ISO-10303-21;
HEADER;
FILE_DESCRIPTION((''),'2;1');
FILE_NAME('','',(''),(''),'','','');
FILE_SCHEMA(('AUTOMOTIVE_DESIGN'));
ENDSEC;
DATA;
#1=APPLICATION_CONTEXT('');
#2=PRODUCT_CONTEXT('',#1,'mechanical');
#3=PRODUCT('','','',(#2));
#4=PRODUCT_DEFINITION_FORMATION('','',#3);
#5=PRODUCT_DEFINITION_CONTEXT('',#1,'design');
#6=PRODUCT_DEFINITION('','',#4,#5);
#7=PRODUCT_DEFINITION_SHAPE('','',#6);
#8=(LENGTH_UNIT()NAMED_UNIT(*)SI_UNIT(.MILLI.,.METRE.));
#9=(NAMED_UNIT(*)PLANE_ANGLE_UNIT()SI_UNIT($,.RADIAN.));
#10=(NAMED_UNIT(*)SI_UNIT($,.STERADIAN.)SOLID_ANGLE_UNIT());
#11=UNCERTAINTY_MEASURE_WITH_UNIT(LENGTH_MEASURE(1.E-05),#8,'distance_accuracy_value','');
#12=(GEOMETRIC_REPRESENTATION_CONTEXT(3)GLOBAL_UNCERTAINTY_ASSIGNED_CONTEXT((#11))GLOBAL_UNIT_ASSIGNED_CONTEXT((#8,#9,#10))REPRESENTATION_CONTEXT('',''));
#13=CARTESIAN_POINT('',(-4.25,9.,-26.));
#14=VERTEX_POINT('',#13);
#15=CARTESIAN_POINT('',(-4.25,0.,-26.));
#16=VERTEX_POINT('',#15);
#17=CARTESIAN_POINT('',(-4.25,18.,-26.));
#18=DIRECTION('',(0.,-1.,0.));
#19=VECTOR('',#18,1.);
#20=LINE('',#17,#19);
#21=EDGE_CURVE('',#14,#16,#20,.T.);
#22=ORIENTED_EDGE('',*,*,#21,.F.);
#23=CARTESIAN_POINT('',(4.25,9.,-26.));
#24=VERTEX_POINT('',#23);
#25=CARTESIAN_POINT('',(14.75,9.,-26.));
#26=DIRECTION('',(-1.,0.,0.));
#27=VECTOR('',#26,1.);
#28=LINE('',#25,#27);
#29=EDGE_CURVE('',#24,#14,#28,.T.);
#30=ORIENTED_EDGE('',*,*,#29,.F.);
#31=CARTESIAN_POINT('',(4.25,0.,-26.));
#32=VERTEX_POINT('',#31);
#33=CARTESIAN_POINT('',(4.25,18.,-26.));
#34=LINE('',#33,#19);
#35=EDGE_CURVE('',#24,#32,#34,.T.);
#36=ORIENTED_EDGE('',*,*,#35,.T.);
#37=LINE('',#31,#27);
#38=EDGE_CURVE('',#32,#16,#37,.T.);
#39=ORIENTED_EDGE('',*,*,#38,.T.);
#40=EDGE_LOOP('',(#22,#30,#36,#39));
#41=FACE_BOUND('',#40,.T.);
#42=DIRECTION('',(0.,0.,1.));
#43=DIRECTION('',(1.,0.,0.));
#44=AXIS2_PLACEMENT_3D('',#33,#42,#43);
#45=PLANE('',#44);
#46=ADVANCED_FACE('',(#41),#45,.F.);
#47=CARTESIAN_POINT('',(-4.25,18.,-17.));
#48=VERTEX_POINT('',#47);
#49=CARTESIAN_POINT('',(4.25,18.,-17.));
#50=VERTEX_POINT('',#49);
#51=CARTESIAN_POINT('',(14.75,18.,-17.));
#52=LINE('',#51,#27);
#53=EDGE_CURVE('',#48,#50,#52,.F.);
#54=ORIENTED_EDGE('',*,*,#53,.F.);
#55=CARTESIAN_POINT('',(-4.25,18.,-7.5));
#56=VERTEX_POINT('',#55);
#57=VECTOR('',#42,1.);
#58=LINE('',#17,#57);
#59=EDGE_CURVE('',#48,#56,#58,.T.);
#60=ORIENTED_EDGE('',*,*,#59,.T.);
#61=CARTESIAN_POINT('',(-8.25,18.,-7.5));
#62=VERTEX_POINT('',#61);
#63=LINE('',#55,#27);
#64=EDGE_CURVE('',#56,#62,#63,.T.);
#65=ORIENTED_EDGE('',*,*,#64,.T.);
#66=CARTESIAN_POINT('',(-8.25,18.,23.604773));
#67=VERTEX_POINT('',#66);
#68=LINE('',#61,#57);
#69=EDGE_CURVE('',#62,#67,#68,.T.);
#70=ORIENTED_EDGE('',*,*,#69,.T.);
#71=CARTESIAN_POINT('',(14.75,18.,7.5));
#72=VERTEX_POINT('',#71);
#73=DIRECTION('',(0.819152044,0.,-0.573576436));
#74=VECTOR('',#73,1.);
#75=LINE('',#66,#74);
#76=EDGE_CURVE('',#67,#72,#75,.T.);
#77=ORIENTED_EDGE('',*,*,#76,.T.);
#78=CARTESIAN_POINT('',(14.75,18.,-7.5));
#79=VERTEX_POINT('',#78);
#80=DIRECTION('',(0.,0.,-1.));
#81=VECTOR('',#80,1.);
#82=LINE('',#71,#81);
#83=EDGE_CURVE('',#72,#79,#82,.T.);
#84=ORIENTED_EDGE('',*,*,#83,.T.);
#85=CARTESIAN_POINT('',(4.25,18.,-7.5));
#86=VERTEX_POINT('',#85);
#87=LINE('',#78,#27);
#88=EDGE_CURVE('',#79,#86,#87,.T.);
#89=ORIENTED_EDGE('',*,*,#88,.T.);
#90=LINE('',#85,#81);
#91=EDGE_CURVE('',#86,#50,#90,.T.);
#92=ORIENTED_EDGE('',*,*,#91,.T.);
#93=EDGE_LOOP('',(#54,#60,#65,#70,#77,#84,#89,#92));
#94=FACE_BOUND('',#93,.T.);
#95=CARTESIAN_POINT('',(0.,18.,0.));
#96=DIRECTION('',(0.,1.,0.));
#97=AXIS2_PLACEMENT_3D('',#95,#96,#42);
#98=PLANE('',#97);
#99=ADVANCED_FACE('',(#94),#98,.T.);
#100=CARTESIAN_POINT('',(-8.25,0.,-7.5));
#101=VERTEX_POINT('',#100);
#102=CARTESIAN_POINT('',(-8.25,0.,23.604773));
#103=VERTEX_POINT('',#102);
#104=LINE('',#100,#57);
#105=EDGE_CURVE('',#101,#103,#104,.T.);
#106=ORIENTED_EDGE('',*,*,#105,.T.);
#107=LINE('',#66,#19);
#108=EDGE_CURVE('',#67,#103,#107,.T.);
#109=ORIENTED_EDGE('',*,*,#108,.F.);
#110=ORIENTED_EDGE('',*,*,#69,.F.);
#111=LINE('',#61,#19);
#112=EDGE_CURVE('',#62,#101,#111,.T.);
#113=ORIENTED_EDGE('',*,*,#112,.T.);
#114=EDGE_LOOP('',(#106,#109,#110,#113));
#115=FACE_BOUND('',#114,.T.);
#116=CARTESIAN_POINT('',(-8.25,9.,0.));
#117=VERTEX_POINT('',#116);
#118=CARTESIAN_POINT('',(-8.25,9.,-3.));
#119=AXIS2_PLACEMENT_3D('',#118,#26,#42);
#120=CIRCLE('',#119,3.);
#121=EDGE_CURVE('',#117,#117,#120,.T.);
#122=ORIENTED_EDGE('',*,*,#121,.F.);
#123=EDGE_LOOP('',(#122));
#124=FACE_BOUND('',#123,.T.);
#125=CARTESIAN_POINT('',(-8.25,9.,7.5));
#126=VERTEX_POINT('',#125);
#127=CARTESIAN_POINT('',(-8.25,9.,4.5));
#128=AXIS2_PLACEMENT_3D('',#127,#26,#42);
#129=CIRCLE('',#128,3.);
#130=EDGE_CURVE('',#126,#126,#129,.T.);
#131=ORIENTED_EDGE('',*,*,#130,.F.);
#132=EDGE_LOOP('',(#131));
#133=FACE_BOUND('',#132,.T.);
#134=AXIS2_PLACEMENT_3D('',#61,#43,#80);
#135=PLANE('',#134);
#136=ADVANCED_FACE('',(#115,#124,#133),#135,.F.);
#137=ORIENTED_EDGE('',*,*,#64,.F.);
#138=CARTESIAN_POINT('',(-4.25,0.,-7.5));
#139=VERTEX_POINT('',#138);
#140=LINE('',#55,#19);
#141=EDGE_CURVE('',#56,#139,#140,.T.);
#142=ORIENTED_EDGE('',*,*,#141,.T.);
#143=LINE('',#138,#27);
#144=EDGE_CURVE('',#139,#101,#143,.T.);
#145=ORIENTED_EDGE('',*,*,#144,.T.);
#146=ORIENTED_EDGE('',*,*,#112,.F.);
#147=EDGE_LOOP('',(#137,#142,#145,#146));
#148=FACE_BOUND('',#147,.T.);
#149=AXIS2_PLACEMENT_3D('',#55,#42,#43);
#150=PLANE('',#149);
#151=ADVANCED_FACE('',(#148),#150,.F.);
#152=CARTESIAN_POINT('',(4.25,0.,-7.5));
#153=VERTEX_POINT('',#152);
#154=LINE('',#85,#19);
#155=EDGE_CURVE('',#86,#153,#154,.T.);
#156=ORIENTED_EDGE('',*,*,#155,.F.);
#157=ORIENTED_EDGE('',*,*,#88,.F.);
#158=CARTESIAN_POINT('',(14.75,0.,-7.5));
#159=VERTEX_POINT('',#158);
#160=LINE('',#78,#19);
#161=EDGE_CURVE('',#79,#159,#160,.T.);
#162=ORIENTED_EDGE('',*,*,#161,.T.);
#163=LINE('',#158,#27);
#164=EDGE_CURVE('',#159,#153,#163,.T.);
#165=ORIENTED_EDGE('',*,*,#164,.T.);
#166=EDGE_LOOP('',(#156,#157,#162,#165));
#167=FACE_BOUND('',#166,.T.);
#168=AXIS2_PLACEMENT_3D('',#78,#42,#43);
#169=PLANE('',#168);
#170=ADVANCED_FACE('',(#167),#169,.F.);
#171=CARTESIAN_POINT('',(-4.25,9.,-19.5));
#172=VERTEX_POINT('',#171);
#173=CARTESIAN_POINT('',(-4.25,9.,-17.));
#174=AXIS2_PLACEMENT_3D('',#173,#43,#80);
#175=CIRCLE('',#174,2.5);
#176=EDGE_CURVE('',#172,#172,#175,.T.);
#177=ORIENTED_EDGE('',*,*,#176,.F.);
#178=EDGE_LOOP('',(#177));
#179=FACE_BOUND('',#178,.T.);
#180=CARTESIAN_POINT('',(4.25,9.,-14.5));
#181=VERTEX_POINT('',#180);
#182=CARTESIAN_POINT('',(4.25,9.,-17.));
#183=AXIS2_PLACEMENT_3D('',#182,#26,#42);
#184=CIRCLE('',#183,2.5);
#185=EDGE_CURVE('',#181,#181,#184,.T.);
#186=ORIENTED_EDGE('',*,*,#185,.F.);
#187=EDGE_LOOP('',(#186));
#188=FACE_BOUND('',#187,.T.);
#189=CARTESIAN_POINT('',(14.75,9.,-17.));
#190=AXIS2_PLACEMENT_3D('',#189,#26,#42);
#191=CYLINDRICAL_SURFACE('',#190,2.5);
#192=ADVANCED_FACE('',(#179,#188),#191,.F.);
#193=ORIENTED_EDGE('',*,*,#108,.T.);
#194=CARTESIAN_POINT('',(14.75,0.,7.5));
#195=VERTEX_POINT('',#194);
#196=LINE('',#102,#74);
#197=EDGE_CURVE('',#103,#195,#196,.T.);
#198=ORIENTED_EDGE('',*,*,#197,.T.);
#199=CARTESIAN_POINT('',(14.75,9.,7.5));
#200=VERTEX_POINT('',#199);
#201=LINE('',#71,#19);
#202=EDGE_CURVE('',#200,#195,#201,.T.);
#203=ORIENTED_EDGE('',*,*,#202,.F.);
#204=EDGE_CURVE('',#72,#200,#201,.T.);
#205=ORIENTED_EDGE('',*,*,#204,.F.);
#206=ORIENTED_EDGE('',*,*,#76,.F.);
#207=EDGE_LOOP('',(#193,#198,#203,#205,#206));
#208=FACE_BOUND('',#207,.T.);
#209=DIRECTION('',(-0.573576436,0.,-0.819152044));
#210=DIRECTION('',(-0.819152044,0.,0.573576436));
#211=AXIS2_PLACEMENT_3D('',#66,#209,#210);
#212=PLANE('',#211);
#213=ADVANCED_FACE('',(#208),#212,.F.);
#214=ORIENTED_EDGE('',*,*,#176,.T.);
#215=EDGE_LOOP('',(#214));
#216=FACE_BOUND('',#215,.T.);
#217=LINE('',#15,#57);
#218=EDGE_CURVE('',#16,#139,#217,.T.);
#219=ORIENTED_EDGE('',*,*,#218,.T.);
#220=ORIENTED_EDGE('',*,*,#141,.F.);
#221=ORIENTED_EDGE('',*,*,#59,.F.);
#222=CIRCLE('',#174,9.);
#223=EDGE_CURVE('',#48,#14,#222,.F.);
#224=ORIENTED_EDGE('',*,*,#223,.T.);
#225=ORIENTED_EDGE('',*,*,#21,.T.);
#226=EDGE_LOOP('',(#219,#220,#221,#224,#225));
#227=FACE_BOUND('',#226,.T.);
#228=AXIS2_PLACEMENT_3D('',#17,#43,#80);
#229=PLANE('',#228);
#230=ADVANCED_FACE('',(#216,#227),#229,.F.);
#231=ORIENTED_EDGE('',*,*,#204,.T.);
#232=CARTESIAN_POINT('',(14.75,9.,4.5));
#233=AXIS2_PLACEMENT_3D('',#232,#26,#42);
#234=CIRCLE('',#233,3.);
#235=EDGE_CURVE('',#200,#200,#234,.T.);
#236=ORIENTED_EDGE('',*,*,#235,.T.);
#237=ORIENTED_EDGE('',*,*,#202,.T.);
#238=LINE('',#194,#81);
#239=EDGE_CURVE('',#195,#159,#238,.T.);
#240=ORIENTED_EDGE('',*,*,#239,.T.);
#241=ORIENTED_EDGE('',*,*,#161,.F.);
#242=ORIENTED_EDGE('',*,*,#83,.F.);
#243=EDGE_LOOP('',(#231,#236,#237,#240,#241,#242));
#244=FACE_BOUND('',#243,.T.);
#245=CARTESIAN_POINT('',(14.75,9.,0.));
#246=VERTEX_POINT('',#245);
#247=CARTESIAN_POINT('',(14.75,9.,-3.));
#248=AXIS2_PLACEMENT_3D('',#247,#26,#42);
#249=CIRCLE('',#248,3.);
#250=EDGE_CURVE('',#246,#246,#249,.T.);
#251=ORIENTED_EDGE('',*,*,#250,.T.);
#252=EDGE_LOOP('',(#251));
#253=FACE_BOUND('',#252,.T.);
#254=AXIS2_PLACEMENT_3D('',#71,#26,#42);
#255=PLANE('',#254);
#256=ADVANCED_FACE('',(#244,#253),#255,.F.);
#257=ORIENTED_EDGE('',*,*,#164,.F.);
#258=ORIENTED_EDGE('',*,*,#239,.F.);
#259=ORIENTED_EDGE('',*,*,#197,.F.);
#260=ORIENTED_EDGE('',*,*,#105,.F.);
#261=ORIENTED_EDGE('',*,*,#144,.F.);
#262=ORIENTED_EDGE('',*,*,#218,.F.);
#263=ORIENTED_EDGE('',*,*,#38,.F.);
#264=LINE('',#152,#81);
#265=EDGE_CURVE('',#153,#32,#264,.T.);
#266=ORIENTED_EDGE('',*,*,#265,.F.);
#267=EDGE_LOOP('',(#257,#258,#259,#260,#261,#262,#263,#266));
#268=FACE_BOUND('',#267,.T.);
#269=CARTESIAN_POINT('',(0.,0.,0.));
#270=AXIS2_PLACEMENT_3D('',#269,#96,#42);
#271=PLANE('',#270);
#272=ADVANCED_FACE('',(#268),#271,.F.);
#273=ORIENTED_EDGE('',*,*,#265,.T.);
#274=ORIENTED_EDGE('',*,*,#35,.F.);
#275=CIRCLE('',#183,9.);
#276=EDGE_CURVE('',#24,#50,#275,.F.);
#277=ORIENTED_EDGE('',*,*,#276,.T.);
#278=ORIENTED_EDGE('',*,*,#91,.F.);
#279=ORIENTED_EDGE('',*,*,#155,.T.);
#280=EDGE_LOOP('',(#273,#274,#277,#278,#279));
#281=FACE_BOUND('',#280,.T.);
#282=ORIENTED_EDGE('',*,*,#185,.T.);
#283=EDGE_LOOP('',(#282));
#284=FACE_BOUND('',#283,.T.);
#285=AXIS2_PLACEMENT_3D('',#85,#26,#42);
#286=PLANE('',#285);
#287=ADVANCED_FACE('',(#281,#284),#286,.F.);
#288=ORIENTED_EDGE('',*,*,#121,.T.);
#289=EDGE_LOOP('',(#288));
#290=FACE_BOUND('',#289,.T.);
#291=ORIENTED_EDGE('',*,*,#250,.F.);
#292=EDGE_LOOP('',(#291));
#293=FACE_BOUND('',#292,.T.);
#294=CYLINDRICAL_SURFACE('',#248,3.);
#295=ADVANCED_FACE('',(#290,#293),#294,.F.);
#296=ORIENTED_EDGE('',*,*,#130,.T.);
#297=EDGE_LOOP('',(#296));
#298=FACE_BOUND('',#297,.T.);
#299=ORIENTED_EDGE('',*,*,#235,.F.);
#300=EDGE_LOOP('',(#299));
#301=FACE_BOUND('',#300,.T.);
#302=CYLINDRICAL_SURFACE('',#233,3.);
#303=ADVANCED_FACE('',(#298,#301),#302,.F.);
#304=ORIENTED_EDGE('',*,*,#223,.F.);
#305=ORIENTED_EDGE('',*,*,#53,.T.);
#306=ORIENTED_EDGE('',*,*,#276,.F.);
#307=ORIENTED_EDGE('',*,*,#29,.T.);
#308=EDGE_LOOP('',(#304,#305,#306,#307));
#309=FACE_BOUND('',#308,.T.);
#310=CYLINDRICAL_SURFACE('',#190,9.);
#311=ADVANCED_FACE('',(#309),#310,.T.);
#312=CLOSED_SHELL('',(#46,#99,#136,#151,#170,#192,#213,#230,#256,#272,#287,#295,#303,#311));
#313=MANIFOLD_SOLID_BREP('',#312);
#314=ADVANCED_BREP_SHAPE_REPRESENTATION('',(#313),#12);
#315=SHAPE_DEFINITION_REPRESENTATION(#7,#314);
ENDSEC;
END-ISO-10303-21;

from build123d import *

# Parameters (mm, degrees)
BOSS_EXTRUDE1_DEPTH = 18
SKETCH3_R           = 2.5
SKETCH3_R_2         = 3
CUT_EXTRUDE1_DEPTH  = 40.102429592


with BuildPart() as part:
    # Sketch1 → Boss-Extrude1 (new body)
    with BuildSketch(Plane(origin=(0, 0, 0), x_dir=(1, 0, 0), z_dir=(0, 1, 0))):
        Polygon((-8.25, 7.5), (-8.25, -23.604773379), (14.75, -7.5), (14.75, 7.5), (4.25, 7.5), (4.25, 26), (-4.25, 26), (-4.25, 7.5), align=None)
    extrude(amount=BOSS_EXTRUDE1_DEPTH)

    # Sketch3 → Cut-Extrude1 (cut, through all)
    with BuildSketch(Plane.ZY.offset(8.25)):
        with Locations((-17, 9)):
            Circle(SKETCH3_R)
        with Locations((-3, 9)):
            Circle(SKETCH3_R_2)
        with Locations((4.5, 9)):
            Circle(SKETCH3_R_2)
        with BuildLine():
            Line((-26, 9), (-26, 18))
            Line((-26, 18), (-17, 18))
            ThreePointArc((-17, 18), (-23.363961031, 15.363961031), (-26, 9))
        make_face()
    extrude(amount=-CUT_EXTRUDE1_DEPTH, mode=Mode.SUBTRACT)


solid = part.part
